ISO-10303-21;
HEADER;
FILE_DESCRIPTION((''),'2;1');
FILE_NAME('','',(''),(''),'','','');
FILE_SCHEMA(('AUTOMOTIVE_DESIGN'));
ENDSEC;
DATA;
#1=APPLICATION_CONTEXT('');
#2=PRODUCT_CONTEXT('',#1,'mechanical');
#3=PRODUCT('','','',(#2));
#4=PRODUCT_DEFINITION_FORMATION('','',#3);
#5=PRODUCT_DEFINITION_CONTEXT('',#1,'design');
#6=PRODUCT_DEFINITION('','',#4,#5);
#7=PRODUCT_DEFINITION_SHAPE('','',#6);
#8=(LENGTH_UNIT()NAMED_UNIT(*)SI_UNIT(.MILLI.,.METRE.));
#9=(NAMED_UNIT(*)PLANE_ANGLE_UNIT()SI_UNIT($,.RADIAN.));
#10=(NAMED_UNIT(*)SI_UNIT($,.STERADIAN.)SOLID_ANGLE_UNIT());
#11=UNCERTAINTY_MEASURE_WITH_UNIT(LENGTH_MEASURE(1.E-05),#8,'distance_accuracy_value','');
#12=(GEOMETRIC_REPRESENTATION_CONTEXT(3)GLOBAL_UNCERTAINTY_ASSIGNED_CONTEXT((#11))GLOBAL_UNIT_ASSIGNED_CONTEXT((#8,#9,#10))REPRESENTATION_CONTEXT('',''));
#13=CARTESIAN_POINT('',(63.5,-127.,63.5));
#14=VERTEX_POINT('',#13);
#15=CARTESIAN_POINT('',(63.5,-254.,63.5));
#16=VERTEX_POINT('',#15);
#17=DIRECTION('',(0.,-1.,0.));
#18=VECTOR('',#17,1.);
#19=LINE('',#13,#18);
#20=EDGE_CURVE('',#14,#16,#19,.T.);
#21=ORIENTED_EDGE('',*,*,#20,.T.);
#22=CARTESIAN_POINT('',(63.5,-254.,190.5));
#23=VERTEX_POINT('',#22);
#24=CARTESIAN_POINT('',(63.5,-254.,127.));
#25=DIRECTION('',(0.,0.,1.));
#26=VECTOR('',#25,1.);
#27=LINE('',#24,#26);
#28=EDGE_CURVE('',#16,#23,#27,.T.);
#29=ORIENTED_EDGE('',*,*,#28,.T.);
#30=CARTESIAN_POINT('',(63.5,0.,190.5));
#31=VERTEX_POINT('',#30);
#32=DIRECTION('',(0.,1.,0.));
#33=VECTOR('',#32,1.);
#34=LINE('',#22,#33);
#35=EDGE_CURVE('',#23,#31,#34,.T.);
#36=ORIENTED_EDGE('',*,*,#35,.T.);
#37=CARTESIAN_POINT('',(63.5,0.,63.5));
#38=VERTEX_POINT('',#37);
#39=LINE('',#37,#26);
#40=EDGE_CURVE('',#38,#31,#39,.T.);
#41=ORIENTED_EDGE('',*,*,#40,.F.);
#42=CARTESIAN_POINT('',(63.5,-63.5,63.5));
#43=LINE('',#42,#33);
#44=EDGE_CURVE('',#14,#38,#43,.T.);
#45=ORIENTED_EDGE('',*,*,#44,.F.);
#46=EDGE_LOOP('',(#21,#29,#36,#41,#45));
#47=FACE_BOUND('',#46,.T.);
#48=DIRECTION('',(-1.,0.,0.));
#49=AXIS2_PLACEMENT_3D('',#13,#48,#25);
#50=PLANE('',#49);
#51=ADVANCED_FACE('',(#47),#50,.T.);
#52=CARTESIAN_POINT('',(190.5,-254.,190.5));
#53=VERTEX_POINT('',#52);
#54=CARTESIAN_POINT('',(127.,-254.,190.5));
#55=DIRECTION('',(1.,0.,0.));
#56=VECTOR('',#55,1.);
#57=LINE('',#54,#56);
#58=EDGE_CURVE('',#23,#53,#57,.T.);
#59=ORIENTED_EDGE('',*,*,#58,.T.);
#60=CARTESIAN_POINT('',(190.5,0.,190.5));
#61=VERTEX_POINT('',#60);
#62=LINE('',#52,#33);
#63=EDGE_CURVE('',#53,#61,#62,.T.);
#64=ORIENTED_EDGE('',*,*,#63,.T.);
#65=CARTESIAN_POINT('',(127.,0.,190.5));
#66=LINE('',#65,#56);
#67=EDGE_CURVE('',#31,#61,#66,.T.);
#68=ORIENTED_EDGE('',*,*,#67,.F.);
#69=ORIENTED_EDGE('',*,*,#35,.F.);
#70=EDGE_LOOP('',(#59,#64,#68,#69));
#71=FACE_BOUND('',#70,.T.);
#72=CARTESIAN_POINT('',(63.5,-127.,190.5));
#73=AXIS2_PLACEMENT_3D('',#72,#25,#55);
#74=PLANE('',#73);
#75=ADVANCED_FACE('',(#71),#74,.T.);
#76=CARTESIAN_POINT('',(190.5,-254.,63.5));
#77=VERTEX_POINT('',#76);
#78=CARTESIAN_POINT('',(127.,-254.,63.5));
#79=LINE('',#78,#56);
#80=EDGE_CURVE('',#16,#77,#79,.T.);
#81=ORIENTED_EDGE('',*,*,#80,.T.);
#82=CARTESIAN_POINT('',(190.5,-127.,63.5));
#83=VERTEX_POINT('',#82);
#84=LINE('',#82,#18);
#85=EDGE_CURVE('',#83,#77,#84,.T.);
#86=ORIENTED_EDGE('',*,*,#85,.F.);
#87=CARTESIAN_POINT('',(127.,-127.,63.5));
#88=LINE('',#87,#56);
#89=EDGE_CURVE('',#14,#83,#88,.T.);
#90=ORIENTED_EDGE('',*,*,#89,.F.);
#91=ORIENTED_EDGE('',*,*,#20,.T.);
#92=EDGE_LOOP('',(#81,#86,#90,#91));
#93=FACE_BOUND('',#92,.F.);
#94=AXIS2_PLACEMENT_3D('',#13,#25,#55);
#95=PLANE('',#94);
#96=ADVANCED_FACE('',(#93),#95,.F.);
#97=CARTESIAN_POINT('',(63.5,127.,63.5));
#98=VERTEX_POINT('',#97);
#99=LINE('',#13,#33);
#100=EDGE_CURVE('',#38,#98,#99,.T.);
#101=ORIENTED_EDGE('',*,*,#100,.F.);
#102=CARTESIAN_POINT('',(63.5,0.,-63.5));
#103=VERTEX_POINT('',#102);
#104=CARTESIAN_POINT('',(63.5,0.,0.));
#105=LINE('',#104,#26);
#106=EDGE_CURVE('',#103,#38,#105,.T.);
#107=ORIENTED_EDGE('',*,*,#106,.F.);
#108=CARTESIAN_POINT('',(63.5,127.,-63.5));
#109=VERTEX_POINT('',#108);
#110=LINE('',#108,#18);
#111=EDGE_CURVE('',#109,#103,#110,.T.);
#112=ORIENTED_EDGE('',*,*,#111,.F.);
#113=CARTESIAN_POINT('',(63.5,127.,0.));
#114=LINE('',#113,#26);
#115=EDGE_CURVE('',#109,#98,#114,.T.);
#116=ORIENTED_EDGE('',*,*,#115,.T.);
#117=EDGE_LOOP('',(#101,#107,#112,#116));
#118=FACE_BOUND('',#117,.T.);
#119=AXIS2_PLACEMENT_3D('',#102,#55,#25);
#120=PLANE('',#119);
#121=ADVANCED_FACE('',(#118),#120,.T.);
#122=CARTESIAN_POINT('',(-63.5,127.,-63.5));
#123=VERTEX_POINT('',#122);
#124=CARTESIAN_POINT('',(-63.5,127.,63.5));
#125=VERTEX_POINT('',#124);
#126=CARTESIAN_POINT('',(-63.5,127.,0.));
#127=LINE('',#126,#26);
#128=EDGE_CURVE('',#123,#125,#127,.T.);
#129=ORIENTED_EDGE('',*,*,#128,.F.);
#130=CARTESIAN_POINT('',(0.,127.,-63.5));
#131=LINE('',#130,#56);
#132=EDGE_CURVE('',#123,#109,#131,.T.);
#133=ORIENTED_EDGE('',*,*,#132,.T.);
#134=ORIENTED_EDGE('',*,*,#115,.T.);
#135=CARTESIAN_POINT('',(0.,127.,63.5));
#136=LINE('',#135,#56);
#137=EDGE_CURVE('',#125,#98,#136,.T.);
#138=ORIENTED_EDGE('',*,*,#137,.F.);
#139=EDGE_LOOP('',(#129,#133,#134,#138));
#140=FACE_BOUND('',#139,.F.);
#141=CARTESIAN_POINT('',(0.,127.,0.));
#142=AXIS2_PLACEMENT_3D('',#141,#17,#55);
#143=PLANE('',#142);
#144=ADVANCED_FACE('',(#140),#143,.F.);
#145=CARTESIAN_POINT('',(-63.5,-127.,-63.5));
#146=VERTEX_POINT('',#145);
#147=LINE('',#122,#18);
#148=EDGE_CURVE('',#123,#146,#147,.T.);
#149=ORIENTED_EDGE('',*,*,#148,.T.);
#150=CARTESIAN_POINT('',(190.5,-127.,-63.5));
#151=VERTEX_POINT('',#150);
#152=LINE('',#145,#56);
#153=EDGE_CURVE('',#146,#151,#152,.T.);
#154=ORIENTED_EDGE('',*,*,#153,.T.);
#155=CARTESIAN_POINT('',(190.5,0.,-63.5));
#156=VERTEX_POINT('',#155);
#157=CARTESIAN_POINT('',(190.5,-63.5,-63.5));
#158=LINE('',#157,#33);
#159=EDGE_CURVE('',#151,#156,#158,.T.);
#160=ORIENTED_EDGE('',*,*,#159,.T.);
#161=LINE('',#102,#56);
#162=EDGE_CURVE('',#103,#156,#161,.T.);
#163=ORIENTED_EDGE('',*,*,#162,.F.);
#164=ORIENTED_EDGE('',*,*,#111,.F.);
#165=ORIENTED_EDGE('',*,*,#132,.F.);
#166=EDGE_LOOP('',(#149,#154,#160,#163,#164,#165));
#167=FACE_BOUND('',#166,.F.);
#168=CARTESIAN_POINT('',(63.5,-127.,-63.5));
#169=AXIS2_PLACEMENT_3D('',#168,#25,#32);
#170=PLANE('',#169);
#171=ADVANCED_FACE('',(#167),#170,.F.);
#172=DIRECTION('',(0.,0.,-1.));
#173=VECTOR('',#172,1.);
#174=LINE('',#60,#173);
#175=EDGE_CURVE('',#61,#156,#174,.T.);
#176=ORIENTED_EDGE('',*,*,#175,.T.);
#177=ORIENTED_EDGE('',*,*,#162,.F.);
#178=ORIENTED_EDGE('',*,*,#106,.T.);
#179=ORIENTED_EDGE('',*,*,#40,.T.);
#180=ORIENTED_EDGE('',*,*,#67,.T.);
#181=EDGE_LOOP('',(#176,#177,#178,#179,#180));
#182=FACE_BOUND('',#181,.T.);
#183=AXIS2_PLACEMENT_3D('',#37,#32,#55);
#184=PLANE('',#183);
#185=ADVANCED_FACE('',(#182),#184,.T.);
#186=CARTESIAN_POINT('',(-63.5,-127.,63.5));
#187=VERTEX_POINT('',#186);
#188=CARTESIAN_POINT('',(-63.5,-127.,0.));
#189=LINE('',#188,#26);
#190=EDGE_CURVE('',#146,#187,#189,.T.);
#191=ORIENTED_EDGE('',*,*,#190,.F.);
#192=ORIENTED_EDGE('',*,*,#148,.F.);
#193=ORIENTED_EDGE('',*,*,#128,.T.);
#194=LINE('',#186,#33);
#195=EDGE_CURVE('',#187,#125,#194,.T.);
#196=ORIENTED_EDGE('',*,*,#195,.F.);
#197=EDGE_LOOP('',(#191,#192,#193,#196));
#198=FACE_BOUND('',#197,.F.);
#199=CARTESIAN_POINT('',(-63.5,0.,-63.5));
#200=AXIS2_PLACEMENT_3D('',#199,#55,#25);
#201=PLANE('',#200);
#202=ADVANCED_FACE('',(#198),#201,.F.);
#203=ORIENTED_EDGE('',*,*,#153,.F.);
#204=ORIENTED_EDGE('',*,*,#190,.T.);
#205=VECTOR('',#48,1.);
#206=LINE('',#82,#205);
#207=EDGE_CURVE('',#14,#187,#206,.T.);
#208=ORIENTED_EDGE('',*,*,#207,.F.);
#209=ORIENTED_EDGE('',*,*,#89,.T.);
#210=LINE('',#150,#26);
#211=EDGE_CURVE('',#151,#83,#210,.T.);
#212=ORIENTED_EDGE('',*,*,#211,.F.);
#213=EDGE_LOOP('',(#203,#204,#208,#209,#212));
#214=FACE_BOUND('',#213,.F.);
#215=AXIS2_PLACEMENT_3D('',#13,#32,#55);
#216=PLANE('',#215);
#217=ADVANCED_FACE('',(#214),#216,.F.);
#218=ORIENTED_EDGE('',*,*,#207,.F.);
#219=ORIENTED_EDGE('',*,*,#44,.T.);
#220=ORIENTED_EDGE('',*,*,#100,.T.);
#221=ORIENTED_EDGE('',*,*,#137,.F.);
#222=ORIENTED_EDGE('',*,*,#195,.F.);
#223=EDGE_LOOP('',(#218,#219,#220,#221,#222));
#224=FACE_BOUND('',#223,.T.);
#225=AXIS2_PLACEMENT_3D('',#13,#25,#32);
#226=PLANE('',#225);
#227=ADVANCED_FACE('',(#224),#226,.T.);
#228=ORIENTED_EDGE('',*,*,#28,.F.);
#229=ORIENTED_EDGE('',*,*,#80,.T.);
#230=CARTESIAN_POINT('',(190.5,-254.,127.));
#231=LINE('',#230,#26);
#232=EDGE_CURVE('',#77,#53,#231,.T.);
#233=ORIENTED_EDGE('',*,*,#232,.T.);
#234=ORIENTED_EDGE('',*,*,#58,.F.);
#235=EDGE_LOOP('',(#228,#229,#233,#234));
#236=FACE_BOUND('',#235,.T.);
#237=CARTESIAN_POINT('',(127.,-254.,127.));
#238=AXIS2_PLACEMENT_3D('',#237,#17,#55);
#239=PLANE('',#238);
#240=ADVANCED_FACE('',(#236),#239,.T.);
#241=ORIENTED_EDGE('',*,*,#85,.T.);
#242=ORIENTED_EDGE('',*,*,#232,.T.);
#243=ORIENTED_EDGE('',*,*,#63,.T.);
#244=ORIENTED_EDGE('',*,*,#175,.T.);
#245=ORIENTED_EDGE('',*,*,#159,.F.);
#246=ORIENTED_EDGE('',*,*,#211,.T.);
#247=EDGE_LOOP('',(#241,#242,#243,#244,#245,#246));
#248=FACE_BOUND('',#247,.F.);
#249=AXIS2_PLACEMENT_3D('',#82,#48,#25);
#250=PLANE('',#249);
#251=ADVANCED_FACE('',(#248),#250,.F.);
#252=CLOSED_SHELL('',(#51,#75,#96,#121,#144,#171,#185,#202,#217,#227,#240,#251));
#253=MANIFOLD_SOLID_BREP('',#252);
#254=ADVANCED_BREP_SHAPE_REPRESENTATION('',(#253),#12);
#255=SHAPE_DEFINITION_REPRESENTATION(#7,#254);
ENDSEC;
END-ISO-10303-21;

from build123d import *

# Parameters (mm, degrees)
F0_W     = 127
F0_H     = 127
F1_DEPTH = 127
F2_W     = 127
F2_H     = 127
F3_DEPTH = 127
F4_W     = 127
F4_H     = 127
F5_DEPTH = 127
F6_W     = 127
F6_H     = 127
F7_DEPTH = 127


with BuildPart() as f1:
    # F0 (on Front) → F1 (new body, symmetric)
    with BuildSketch(Plane.XZ):
        Rectangle(F0_W, F0_H)
    extrude(amount=F1_DEPTH, both=True)

    # F2 (on face) → F3 (join)
    with BuildSketch(Plane.YZ.offset(63.5)):
        with Locations((-63.5, 0)):
            Rectangle(F2_W, F2_H)
    extrude(amount=F3_DEPTH)

    # F4 (on face) → F5 (join)
    with BuildSketch(Plane.XY.offset(63.5)):
        with Locations((127, -63.5)):
            Rectangle(F4_W, F4_H)
    extrude(amount=F5_DEPTH)

    # F6 (on face) → F7 (join)
    with BuildSketch(Plane.XZ.offset(127)):
        with Locations((127, 127)):
            Rectangle(F6_W, F6_H)
    extrude(amount=F7_DEPTH)


solid = f1.part
